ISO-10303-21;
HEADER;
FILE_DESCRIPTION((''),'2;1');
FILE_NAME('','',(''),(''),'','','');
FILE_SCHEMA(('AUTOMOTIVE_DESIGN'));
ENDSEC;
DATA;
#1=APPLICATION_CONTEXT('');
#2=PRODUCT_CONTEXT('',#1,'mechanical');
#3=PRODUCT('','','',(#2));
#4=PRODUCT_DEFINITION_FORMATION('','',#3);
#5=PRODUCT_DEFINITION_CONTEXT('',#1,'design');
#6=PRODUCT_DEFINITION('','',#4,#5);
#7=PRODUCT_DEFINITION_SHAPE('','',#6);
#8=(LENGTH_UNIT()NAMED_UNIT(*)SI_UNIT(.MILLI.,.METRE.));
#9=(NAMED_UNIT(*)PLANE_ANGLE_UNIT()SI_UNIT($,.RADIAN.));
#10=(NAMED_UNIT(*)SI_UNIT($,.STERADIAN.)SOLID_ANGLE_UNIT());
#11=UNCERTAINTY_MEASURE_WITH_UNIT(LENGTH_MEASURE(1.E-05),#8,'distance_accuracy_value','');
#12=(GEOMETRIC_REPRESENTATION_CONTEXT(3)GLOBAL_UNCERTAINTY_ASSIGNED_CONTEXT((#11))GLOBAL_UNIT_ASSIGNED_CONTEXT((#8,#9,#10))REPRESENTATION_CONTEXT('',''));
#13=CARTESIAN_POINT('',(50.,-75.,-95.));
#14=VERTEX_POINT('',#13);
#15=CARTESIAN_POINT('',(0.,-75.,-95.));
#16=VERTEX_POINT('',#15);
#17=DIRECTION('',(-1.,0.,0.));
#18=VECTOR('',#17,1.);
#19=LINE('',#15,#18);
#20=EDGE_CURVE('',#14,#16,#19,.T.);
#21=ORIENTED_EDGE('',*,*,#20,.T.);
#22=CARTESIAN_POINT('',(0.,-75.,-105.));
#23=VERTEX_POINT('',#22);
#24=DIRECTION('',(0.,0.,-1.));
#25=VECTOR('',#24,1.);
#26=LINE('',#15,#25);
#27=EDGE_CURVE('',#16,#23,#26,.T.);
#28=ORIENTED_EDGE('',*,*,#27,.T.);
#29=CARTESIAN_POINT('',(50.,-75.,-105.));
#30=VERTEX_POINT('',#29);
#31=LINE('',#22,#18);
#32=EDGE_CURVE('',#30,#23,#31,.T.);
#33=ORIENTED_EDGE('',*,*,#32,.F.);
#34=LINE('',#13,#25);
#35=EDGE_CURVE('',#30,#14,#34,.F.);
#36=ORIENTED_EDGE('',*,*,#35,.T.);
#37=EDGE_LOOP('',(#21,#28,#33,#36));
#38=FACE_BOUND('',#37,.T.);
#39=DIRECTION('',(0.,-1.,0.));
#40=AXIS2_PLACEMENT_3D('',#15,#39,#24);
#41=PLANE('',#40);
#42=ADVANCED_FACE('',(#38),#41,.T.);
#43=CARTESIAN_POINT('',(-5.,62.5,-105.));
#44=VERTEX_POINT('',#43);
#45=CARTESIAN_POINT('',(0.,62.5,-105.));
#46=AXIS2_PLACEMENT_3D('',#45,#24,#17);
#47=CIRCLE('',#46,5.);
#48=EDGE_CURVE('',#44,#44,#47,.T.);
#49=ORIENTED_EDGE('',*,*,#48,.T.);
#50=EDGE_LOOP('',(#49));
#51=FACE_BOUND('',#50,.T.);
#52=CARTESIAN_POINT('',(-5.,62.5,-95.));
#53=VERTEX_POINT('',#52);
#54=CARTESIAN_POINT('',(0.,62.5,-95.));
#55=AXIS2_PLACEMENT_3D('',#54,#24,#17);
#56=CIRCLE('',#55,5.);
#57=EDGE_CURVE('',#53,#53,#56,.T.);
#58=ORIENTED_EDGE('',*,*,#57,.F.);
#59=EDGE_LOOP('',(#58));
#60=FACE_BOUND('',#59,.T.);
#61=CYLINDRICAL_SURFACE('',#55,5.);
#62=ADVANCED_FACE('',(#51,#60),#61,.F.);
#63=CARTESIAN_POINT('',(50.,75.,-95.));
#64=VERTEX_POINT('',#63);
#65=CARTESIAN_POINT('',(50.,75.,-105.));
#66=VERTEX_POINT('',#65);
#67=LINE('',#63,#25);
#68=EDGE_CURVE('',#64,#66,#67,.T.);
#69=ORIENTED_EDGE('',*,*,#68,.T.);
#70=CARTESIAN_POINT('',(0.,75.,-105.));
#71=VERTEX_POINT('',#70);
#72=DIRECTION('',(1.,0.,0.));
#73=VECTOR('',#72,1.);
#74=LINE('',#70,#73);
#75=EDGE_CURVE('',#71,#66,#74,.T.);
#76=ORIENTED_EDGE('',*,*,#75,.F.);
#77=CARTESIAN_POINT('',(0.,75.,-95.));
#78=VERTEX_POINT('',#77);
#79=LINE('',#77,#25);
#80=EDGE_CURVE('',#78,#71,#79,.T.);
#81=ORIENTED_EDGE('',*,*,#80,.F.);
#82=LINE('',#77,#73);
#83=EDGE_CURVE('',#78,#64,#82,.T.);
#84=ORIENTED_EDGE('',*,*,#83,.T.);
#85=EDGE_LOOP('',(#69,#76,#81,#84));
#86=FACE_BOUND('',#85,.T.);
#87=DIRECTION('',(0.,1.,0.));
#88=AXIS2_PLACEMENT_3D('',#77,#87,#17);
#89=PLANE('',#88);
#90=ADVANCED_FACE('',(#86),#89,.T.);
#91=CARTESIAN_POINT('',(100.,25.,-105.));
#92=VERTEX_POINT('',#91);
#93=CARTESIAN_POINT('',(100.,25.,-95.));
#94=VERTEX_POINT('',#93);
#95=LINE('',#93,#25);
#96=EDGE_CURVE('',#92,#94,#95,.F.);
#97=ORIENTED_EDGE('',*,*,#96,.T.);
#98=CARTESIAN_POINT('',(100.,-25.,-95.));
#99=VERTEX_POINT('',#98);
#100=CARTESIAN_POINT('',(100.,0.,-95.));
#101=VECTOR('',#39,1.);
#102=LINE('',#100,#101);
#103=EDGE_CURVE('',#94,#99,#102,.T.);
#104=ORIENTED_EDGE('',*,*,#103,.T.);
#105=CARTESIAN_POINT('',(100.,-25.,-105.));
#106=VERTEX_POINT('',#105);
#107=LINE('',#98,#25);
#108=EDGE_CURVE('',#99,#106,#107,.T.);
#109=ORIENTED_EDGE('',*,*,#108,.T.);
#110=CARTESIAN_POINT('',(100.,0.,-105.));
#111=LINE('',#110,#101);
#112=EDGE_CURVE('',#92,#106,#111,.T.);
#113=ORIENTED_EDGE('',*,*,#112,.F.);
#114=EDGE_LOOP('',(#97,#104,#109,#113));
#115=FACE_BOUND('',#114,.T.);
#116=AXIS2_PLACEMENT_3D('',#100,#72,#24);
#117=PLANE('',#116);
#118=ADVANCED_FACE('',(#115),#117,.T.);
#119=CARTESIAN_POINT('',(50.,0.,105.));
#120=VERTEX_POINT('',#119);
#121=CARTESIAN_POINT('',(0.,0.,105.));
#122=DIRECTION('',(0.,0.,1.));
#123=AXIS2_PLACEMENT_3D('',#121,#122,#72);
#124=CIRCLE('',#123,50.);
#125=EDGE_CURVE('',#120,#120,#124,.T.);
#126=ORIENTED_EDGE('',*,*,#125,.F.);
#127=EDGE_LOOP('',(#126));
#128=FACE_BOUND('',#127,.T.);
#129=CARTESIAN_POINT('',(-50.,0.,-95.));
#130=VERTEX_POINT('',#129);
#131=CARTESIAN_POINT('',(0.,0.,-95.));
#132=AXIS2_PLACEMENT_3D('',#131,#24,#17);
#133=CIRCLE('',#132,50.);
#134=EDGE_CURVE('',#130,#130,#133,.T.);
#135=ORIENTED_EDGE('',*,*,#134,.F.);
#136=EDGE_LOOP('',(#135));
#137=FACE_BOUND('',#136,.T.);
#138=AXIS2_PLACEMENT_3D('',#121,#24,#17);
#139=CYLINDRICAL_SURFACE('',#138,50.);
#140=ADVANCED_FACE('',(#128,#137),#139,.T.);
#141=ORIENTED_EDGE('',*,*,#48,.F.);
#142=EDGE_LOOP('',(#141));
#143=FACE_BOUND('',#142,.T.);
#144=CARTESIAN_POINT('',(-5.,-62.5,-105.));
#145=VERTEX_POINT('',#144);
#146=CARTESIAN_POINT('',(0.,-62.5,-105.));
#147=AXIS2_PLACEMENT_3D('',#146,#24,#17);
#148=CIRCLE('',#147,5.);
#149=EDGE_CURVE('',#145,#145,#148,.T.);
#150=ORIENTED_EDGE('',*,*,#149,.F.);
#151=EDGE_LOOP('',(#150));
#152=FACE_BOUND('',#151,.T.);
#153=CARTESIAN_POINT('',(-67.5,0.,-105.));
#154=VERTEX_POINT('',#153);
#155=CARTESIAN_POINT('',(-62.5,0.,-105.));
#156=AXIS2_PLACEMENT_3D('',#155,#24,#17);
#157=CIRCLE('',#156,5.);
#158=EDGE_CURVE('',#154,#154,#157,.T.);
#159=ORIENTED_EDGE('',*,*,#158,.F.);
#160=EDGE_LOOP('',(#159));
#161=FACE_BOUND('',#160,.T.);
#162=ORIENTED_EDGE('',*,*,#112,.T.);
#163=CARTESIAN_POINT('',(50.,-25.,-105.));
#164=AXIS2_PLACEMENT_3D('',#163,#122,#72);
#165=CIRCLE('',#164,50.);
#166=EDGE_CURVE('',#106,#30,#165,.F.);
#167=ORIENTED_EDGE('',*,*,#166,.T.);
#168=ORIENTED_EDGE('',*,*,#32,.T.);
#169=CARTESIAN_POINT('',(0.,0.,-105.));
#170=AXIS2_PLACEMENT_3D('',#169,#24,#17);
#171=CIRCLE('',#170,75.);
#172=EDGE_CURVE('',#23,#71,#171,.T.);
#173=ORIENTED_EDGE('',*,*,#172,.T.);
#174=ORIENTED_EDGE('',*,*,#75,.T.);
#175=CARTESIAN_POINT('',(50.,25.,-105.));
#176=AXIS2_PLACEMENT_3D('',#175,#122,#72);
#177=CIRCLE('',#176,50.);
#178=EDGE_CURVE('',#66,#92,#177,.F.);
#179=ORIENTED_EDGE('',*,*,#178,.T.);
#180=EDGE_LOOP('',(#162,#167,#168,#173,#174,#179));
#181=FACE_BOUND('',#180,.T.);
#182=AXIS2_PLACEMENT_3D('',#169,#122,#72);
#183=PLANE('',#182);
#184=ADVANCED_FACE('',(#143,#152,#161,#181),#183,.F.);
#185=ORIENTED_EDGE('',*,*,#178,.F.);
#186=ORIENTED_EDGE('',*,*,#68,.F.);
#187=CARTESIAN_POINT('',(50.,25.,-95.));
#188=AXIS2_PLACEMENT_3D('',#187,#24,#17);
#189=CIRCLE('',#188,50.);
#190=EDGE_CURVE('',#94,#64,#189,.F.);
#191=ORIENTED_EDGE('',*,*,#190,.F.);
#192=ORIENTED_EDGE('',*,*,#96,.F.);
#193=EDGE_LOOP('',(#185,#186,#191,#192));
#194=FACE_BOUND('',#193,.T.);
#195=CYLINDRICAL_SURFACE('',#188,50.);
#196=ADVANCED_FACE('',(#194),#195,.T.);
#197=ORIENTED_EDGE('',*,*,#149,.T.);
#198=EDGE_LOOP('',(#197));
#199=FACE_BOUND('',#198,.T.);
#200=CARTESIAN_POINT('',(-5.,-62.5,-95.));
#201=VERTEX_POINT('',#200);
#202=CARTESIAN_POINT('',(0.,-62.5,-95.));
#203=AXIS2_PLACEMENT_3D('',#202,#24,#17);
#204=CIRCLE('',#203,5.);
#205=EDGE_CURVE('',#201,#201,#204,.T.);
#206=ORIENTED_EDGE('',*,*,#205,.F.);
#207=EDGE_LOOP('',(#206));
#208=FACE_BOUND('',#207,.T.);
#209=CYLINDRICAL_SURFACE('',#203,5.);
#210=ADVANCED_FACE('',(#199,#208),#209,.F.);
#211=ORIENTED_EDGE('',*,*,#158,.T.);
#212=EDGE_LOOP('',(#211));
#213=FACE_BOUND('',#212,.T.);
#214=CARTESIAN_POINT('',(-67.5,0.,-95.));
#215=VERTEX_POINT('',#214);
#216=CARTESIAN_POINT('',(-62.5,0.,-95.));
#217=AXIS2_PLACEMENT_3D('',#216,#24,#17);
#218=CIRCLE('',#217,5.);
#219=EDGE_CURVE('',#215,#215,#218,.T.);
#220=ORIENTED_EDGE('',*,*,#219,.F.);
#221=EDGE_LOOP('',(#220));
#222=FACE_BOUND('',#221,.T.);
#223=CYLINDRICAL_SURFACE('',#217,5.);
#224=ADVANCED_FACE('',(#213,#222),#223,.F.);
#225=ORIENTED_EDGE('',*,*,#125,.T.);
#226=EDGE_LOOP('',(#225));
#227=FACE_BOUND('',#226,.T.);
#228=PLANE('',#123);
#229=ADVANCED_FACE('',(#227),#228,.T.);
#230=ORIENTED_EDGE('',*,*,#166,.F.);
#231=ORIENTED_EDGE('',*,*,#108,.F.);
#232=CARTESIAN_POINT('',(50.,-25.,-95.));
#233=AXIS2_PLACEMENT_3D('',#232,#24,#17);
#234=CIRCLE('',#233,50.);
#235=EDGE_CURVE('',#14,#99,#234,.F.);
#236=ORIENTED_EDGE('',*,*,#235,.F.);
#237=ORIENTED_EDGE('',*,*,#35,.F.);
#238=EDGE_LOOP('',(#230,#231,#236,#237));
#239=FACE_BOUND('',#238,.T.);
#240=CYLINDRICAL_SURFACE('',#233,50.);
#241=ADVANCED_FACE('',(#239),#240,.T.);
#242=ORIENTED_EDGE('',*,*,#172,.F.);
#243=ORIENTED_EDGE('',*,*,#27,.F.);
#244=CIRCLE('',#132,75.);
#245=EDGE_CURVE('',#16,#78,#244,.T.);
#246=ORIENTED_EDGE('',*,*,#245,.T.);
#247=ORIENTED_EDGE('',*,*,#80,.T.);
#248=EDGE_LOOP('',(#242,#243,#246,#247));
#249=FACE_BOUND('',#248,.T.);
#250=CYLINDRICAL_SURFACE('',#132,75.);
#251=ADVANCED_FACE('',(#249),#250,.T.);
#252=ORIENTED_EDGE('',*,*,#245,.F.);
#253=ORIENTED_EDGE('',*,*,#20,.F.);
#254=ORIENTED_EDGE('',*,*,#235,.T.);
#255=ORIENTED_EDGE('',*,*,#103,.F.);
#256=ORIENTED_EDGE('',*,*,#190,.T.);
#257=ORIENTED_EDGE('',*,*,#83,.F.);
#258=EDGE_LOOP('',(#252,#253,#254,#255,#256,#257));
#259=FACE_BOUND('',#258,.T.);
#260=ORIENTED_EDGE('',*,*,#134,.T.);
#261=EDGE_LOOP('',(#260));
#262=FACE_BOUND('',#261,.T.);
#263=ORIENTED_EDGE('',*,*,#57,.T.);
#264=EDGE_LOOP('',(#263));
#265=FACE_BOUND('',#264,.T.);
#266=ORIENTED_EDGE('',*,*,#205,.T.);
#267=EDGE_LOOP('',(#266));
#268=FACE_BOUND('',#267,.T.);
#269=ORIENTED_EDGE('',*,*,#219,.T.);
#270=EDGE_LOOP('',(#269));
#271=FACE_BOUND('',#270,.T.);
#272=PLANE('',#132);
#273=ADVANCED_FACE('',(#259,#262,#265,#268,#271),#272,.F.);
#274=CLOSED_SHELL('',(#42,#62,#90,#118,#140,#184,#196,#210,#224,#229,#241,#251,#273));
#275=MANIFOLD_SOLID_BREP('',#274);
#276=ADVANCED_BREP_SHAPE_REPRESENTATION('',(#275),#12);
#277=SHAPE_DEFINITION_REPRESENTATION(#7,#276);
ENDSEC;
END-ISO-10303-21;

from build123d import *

# Parameters (mm, degrees)
SKETCH1_R           = 50
BOSS_EXTRUDE1_DEPTH = 105
BOSS_EXTRUDE3_START = -10
SKETCH2_R           = 50
SKETCH2_W           = 100
SKETCH2_H           = 150
BOSS_EXTRUDE3_DEPTH = 10
SKETCH3_R           = 5
CUT_EXTRUDE1_DEPTH  = 10
FILLET1_R           = 50


with BuildPart() as part:
    # Sketch1 → Boss-Extrude1 (new, symmetric)
    with BuildSketch(Plane.XY):
        Circle(SKETCH1_R)
    extrude(amount=BOSS_EXTRUDE1_DEPTH, both=True)

    # Sketch2 → Boss-Extrude3 (add)
    with BuildSketch(Plane(origin=(0, 0, -105), x_dir=(-1, 0, 0), z_dir=(0, 0, -1)).offset(BOSS_EXTRUDE3_START)):
        Circle(SKETCH2_R)
        with BuildLine():
            Line((0, 75), (0, -75))
            ThreePointArc((0, -75), (75, 0), (0, 75))
        make_face()
        with Locations((-50, 0)):
            Rectangle(SKETCH2_W, SKETCH2_H)
    extrude(amount=BOSS_EXTRUDE3_DEPTH)

    # Sketch3 → Cut-Extrude1 (cut)
    with BuildSketch(Plane(origin=(0, 0, -105), x_dir=(-1, 0, 0), z_dir=(0, 0, -1))):
        with Locations((0, 62.5)):
            Circle(SKETCH3_R)
        with Locations((62.5, 0)):
            Circle(SKETCH3_R)
        with Locations((0, -62.5)):
            Circle(SKETCH3_R)
    extrude(amount=-CUT_EXTRUDE1_DEPTH, mode=Mode.SUBTRACT)

    # Fillet1
    fillet1_edges = [part.edges().sort_by_distance(p)[0] for p in [
        (100, -75, -100),
        (100, 75, -100),
    ]]
    fillet(fillet1_edges, radius=FILLET1_R)


solid = part.part
